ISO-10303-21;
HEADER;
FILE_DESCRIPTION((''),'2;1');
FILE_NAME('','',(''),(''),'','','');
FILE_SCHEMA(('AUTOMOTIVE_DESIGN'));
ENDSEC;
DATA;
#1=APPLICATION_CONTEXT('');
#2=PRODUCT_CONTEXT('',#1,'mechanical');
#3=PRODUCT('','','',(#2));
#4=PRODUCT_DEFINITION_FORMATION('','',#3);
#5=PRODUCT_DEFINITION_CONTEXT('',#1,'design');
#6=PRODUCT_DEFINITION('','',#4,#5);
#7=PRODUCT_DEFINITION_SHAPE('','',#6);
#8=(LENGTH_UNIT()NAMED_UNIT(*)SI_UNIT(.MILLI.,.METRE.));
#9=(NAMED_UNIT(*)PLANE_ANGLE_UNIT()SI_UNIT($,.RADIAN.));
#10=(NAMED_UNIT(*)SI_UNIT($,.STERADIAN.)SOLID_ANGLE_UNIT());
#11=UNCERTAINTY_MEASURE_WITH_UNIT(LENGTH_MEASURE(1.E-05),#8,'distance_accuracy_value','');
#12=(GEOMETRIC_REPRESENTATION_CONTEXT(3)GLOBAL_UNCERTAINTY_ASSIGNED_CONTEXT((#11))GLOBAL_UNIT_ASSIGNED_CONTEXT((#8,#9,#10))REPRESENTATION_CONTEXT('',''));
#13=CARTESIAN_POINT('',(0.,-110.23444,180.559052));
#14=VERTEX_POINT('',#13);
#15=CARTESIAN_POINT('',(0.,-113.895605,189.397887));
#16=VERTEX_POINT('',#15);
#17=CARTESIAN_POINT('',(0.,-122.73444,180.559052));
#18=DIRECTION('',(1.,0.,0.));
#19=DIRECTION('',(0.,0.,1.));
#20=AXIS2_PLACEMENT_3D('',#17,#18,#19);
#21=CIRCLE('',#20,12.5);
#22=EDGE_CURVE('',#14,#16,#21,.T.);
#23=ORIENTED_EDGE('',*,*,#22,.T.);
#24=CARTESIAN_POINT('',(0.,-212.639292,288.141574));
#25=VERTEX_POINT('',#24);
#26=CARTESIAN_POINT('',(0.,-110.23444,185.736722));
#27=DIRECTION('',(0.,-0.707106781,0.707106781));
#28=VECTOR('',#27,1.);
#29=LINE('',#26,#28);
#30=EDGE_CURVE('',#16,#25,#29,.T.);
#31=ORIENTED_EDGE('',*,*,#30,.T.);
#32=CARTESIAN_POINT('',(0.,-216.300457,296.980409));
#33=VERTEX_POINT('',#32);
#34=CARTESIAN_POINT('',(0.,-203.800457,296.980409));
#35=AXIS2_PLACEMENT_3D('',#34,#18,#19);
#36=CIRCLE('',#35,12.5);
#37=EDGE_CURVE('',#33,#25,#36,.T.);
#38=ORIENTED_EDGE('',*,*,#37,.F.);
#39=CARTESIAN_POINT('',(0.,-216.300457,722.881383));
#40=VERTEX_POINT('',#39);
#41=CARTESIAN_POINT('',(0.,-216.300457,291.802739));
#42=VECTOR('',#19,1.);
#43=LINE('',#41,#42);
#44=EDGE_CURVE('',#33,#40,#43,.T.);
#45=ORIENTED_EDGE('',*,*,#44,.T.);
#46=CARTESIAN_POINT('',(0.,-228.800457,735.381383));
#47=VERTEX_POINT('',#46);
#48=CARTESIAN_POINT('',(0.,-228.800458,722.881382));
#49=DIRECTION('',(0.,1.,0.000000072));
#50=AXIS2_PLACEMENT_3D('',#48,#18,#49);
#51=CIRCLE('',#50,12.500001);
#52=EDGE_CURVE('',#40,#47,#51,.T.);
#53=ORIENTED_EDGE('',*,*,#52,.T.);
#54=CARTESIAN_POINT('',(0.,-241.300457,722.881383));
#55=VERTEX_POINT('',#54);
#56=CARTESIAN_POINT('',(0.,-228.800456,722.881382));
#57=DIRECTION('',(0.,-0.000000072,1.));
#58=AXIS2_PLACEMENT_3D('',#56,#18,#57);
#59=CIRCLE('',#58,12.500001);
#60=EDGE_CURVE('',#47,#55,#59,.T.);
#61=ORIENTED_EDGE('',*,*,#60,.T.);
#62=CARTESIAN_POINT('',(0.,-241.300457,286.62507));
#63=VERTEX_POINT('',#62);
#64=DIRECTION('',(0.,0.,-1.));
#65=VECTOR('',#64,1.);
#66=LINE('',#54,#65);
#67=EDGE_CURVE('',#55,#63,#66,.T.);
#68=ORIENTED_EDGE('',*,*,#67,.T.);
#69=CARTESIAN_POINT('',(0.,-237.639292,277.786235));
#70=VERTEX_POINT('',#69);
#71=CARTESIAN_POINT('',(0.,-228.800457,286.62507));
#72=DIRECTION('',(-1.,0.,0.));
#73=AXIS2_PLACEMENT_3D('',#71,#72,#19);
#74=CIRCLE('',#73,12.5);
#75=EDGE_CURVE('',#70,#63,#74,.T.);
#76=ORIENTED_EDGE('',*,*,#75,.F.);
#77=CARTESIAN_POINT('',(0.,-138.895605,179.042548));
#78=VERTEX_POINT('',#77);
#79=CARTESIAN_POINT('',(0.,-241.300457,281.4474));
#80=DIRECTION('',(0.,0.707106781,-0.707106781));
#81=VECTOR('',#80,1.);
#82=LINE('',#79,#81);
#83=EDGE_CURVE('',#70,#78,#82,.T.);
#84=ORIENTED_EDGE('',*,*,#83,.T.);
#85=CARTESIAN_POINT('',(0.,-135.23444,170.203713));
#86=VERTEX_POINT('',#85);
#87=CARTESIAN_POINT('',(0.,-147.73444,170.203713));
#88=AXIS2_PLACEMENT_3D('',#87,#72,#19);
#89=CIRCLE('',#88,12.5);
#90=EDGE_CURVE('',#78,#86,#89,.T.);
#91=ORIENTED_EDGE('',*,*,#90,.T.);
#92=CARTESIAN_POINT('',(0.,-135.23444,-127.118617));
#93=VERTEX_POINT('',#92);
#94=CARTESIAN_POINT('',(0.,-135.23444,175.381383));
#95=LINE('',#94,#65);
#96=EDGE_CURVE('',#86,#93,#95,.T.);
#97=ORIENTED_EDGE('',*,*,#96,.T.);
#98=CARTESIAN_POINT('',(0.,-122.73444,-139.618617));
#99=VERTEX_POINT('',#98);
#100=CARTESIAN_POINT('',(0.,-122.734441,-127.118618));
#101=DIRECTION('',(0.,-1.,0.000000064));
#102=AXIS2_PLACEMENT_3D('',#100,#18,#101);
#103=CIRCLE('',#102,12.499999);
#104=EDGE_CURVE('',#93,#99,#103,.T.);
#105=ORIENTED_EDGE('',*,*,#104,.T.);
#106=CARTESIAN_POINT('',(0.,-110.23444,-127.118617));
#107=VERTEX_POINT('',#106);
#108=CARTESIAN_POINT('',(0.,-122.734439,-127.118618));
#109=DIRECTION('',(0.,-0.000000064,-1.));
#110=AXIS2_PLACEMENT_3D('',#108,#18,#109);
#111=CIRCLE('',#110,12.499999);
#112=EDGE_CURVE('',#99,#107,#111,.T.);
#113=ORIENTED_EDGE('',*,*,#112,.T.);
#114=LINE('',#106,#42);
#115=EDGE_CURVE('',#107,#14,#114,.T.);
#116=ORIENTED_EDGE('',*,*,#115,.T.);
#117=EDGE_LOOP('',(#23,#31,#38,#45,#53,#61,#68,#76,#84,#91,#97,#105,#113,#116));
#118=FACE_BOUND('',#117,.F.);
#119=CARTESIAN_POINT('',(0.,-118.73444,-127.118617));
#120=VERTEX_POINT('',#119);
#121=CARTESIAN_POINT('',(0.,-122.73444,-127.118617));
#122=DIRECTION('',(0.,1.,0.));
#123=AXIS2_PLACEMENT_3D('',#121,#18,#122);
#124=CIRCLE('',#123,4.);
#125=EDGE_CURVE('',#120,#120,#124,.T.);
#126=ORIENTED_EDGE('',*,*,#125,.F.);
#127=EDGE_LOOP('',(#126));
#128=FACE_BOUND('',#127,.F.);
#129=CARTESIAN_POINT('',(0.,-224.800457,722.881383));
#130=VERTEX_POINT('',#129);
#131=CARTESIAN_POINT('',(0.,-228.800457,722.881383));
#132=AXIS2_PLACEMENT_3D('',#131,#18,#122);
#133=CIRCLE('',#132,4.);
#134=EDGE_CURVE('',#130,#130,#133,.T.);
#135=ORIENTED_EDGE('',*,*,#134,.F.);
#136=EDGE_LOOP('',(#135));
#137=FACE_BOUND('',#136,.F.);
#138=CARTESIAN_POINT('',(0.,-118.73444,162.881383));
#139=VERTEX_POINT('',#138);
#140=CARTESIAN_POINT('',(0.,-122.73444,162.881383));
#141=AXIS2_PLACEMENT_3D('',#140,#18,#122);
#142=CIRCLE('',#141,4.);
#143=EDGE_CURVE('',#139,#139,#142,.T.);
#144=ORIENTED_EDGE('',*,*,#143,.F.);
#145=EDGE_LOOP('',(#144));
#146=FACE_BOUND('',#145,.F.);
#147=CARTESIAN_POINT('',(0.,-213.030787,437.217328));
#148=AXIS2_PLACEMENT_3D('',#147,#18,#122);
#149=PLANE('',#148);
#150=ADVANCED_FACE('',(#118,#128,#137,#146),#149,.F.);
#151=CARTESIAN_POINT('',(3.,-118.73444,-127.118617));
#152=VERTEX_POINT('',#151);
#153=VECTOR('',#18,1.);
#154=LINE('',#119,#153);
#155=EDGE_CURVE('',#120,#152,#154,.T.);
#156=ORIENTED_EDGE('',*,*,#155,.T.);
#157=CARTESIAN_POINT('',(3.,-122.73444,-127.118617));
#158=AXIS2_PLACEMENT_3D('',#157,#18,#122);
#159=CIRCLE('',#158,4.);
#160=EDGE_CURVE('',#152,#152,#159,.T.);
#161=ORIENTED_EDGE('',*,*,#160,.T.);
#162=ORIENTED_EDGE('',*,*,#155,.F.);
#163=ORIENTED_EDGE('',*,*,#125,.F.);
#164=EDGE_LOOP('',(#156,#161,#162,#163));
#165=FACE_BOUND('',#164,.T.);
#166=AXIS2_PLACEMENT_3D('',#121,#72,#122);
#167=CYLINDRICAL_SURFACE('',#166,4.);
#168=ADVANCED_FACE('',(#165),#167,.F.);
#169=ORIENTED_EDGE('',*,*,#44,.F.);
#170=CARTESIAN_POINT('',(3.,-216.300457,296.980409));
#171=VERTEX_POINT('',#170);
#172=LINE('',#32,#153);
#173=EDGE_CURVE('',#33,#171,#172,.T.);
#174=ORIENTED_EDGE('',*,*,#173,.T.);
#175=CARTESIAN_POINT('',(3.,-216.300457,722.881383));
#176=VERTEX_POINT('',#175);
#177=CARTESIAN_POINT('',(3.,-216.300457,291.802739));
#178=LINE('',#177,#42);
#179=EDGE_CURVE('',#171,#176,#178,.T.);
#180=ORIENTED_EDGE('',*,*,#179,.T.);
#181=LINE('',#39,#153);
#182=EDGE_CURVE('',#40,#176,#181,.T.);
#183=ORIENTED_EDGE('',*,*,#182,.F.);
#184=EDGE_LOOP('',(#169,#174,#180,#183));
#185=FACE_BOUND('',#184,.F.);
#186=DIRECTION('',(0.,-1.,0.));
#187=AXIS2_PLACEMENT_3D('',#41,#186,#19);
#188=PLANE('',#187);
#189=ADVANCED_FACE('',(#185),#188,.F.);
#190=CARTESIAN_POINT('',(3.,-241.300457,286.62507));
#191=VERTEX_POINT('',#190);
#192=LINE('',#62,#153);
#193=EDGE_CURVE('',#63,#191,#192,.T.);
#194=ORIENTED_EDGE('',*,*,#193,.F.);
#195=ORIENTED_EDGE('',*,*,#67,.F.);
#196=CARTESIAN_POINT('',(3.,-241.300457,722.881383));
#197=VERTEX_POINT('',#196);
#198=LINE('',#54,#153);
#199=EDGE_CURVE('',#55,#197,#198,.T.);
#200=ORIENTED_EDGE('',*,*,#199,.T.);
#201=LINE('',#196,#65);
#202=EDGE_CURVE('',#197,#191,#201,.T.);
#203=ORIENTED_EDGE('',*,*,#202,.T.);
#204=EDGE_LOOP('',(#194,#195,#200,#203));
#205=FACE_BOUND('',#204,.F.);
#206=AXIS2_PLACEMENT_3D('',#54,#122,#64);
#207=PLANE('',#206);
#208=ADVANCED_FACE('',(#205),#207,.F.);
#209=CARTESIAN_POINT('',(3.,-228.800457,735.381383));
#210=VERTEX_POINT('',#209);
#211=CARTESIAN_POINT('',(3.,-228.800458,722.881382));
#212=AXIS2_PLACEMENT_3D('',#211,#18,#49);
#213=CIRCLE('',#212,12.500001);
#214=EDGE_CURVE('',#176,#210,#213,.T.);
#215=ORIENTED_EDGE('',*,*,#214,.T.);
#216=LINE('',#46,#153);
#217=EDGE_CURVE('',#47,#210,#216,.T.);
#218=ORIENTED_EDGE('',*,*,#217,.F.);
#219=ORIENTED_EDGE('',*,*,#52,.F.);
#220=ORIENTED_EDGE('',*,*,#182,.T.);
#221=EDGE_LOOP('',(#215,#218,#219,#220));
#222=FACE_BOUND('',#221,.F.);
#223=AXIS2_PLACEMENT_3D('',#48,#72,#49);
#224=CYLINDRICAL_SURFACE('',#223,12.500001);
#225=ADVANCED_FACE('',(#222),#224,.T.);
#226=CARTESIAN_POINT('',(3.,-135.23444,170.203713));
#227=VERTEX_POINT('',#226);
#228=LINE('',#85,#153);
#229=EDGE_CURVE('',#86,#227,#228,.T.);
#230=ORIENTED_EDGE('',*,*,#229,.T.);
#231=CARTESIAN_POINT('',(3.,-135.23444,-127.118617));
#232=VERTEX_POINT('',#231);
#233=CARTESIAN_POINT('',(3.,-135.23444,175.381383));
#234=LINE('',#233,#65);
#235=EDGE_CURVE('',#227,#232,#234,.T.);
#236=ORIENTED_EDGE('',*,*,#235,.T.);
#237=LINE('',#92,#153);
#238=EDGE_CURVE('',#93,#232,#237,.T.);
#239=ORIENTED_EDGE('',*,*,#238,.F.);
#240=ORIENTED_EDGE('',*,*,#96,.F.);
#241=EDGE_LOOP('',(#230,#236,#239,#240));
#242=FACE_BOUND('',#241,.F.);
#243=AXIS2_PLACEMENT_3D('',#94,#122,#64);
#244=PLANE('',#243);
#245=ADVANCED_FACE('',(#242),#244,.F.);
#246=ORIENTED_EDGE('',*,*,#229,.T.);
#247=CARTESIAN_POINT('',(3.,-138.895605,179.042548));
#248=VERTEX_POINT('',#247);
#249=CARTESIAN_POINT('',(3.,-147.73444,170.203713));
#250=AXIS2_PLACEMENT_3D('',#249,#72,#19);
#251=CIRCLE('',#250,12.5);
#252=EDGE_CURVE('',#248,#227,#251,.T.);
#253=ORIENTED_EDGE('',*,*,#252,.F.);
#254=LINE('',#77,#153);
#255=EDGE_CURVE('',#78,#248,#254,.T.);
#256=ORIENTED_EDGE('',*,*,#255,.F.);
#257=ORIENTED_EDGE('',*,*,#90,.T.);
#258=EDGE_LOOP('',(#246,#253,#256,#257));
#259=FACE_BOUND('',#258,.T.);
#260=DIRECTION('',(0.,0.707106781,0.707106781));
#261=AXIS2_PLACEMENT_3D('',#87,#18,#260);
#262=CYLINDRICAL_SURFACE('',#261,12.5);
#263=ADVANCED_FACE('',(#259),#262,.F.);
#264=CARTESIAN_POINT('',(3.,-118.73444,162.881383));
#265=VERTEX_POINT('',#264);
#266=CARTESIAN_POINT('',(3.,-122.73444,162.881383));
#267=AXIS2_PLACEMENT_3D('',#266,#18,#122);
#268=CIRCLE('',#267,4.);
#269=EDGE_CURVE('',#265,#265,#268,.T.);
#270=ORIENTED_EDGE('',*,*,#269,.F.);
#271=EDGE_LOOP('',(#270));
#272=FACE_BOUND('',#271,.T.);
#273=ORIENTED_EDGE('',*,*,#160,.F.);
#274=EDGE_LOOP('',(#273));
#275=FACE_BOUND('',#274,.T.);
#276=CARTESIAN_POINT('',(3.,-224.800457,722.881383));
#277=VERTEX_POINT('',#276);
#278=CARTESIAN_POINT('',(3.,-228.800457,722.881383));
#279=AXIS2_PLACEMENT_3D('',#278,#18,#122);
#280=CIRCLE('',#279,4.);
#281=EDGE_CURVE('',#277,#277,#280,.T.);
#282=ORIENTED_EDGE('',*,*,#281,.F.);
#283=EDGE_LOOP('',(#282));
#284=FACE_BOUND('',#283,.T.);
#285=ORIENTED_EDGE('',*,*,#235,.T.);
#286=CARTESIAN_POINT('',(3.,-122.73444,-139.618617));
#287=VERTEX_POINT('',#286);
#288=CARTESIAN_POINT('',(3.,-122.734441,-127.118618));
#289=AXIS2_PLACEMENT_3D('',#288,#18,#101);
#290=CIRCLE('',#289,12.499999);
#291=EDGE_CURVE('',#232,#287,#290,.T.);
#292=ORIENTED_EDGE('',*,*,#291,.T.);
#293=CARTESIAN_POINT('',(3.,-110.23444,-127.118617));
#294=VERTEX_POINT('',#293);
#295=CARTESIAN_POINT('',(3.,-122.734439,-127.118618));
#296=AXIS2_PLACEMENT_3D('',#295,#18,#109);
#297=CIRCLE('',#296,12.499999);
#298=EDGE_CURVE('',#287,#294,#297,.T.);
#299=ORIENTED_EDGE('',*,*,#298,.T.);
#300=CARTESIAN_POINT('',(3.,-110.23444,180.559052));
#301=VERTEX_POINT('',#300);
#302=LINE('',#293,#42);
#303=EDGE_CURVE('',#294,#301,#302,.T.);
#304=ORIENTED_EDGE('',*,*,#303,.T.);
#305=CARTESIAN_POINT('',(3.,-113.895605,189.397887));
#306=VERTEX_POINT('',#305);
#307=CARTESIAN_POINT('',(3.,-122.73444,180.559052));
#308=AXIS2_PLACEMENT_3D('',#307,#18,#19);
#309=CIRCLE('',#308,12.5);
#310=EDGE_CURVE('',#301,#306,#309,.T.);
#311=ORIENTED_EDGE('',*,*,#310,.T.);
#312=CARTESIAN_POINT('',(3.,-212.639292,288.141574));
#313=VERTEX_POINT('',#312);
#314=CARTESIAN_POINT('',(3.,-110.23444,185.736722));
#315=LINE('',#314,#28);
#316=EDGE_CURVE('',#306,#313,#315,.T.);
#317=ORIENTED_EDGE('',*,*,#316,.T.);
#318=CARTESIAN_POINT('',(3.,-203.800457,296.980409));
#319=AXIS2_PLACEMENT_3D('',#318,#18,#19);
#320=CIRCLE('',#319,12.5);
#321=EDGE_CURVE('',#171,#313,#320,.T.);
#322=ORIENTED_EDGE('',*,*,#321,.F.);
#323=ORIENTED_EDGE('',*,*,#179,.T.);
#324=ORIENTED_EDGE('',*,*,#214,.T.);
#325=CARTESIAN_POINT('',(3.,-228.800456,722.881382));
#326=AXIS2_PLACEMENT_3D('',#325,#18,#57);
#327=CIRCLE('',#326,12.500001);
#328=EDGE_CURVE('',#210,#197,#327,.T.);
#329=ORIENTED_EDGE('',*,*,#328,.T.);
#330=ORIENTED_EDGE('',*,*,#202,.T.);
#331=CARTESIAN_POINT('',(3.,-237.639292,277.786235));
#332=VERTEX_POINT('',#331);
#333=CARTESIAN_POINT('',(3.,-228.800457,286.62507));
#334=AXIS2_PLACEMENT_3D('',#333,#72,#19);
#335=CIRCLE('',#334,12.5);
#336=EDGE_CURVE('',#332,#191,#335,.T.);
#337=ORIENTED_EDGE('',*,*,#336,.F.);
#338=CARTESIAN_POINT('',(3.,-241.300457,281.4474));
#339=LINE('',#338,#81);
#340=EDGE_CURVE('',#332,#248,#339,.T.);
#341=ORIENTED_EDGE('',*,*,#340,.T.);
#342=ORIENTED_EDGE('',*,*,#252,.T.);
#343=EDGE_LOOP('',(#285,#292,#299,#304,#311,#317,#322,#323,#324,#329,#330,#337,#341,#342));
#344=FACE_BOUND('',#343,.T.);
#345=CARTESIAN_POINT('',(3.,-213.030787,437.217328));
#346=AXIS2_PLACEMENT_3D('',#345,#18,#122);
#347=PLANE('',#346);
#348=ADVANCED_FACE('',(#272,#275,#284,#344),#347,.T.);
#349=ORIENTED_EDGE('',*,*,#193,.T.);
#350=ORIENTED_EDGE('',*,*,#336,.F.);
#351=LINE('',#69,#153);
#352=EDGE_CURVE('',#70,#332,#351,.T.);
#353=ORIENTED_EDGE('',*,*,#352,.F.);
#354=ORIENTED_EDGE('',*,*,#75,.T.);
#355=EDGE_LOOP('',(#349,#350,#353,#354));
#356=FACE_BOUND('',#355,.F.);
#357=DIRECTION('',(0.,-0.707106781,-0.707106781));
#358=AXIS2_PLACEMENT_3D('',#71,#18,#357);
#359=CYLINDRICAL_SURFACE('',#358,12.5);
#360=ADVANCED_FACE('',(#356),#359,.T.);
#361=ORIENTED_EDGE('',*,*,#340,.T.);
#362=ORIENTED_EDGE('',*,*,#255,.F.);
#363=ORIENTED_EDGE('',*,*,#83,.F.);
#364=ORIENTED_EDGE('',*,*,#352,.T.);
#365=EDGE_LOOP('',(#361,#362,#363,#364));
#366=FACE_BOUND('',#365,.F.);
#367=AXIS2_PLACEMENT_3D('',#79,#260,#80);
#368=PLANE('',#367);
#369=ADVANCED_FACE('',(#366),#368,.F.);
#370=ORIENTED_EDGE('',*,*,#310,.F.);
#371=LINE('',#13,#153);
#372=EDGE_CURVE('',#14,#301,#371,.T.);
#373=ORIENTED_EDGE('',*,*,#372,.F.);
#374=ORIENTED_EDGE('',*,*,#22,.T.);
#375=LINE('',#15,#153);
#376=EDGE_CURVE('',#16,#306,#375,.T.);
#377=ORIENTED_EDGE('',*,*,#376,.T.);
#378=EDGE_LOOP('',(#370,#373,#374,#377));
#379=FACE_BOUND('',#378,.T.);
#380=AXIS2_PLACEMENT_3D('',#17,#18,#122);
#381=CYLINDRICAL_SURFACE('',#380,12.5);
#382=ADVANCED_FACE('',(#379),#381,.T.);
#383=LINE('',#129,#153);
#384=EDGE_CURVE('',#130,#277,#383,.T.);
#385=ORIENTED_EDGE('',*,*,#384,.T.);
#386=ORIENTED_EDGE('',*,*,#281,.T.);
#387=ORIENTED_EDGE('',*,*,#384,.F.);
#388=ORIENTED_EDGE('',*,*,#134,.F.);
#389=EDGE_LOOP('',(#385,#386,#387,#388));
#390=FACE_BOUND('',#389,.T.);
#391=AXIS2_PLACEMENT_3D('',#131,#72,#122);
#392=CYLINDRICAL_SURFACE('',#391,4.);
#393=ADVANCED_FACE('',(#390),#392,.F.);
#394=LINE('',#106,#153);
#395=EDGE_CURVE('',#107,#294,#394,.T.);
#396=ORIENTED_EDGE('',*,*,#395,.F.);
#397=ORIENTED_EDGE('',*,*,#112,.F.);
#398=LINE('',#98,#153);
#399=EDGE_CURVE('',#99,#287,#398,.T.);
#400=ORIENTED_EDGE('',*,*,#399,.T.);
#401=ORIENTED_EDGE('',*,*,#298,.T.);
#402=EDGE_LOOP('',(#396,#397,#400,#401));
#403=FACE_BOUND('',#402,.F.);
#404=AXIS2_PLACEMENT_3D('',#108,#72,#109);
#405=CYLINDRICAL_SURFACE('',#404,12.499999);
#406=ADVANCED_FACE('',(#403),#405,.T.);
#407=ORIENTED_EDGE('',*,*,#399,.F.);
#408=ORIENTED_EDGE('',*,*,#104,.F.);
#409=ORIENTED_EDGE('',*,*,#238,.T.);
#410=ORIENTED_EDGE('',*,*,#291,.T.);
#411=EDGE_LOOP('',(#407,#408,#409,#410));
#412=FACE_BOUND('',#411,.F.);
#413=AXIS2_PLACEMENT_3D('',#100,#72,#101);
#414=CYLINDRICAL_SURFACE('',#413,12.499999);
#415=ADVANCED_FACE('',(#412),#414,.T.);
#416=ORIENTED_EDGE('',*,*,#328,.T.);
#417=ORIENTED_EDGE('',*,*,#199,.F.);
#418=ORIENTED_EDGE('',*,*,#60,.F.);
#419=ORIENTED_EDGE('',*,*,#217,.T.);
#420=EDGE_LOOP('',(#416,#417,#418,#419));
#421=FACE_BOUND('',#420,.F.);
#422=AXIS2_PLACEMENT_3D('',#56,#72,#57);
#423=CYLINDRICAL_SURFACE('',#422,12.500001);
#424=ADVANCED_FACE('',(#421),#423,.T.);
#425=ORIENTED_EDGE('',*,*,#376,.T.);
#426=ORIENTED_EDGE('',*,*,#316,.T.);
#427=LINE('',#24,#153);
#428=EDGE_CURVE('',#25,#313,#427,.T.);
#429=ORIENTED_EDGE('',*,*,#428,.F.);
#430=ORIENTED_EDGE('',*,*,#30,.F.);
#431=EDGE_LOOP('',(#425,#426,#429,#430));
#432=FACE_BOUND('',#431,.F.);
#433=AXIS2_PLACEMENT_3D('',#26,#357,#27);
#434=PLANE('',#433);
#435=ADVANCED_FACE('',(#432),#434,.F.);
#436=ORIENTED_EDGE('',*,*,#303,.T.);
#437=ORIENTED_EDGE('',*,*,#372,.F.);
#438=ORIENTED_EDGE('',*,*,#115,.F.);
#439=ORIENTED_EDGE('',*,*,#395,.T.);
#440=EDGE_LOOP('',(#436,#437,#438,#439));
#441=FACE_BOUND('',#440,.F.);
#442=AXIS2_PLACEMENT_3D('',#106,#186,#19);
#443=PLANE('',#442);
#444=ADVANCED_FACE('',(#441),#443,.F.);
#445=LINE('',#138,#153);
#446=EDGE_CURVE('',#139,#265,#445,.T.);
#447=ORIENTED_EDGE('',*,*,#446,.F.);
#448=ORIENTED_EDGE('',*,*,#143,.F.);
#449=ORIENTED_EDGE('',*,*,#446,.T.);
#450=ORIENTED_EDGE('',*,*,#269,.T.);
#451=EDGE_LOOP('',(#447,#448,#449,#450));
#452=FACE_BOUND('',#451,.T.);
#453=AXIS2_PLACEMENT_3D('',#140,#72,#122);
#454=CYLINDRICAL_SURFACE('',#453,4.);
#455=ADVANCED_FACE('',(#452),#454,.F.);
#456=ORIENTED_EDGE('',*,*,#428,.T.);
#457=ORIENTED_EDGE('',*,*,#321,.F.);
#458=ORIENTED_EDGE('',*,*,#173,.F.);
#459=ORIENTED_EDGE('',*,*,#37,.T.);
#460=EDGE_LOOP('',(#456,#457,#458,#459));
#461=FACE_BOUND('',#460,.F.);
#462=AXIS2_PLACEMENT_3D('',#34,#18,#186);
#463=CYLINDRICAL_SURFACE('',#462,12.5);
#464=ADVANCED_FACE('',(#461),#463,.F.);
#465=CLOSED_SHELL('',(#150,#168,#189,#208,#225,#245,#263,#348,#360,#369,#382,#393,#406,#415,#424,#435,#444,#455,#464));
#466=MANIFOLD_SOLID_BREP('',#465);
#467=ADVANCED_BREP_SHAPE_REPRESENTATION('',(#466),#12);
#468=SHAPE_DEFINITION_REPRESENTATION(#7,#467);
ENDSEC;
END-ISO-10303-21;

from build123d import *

# Parameters (mm, degrees)
F0_R     = 4
F1_DEPTH = 3
F2_R     = 12.5
F3_R     = 12.5


with BuildPart() as f1:
    # F0 (on Right) → F1 (new body)
    with BuildSketch(Plane.YZ):
        with BuildLine():
            Line((-241.300457, 281.4474), (-135.23444, 175.381383))
            Line((-135.23444, 175.381383), (-110.23444, 175.381383))
            Line((-110.23444, 175.381383), (-110.23444, 185.736722))
            Line((-110.23444, 185.736722), (-216.300457, 291.802739))
            Line((-216.300457, 291.802739), (-216.300457, 722.881383))
            ThreePointArc((-216.300457, 722.881383), (-219.961622, 731.720217), (-228.800457, 735.381383))
            ThreePointArc((-228.800457, 735.381383), (-237.639292, 731.720217), (-241.300457, 722.881383))
            Line((-241.300457, 722.881383), (-241.300457, 281.4474))
        make_face()
        with Locations((-228.800457, 722.881383)):
            Circle(F0_R, mode=Mode.SUBTRACT)
        with BuildLine():
            Line((-110.23444, 175.381383), (-135.23444, 175.381383))
            Line((-135.23444, 175.381383), (-135.23444, -127.118617))
            ThreePointArc((-135.23444, -127.118617), (-131.573275, -135.957452), (-122.73444, -139.618617))
            ThreePointArc((-122.73444, -139.618617), (-113.895605, -135.957452), (-110.23444, -127.118617))
            Line((-110.23444, -127.118617), (-110.23444, 175.381383))
        make_face()
        with Locations((-122.73444, -127.118617)):
            Circle(F0_R, mode=Mode.SUBTRACT)
        with Locations((-122.73444, 162.881383)):
            Circle(F0_R, mode=Mode.SUBTRACT)
    extrude(amount=F1_DEPTH)

    # F2
    f2_edges = [f1.edges().sort_by_distance(p)[0] for p in [
        (1.5, -110.23444, 185.736722),
        (1.5, -241.300457, 281.4474),
    ]]
    fillet(f2_edges, radius=F2_R)

    # F3
    f3_edges = [f1.edges().sort_by_distance(p)[0] for p in [
        (1.5, -135.23444, 175.381383),
        (1.5, -216.300457, 291.802739),
    ]]
    fillet(f3_edges, radius=F3_R)


solid = f1.part
